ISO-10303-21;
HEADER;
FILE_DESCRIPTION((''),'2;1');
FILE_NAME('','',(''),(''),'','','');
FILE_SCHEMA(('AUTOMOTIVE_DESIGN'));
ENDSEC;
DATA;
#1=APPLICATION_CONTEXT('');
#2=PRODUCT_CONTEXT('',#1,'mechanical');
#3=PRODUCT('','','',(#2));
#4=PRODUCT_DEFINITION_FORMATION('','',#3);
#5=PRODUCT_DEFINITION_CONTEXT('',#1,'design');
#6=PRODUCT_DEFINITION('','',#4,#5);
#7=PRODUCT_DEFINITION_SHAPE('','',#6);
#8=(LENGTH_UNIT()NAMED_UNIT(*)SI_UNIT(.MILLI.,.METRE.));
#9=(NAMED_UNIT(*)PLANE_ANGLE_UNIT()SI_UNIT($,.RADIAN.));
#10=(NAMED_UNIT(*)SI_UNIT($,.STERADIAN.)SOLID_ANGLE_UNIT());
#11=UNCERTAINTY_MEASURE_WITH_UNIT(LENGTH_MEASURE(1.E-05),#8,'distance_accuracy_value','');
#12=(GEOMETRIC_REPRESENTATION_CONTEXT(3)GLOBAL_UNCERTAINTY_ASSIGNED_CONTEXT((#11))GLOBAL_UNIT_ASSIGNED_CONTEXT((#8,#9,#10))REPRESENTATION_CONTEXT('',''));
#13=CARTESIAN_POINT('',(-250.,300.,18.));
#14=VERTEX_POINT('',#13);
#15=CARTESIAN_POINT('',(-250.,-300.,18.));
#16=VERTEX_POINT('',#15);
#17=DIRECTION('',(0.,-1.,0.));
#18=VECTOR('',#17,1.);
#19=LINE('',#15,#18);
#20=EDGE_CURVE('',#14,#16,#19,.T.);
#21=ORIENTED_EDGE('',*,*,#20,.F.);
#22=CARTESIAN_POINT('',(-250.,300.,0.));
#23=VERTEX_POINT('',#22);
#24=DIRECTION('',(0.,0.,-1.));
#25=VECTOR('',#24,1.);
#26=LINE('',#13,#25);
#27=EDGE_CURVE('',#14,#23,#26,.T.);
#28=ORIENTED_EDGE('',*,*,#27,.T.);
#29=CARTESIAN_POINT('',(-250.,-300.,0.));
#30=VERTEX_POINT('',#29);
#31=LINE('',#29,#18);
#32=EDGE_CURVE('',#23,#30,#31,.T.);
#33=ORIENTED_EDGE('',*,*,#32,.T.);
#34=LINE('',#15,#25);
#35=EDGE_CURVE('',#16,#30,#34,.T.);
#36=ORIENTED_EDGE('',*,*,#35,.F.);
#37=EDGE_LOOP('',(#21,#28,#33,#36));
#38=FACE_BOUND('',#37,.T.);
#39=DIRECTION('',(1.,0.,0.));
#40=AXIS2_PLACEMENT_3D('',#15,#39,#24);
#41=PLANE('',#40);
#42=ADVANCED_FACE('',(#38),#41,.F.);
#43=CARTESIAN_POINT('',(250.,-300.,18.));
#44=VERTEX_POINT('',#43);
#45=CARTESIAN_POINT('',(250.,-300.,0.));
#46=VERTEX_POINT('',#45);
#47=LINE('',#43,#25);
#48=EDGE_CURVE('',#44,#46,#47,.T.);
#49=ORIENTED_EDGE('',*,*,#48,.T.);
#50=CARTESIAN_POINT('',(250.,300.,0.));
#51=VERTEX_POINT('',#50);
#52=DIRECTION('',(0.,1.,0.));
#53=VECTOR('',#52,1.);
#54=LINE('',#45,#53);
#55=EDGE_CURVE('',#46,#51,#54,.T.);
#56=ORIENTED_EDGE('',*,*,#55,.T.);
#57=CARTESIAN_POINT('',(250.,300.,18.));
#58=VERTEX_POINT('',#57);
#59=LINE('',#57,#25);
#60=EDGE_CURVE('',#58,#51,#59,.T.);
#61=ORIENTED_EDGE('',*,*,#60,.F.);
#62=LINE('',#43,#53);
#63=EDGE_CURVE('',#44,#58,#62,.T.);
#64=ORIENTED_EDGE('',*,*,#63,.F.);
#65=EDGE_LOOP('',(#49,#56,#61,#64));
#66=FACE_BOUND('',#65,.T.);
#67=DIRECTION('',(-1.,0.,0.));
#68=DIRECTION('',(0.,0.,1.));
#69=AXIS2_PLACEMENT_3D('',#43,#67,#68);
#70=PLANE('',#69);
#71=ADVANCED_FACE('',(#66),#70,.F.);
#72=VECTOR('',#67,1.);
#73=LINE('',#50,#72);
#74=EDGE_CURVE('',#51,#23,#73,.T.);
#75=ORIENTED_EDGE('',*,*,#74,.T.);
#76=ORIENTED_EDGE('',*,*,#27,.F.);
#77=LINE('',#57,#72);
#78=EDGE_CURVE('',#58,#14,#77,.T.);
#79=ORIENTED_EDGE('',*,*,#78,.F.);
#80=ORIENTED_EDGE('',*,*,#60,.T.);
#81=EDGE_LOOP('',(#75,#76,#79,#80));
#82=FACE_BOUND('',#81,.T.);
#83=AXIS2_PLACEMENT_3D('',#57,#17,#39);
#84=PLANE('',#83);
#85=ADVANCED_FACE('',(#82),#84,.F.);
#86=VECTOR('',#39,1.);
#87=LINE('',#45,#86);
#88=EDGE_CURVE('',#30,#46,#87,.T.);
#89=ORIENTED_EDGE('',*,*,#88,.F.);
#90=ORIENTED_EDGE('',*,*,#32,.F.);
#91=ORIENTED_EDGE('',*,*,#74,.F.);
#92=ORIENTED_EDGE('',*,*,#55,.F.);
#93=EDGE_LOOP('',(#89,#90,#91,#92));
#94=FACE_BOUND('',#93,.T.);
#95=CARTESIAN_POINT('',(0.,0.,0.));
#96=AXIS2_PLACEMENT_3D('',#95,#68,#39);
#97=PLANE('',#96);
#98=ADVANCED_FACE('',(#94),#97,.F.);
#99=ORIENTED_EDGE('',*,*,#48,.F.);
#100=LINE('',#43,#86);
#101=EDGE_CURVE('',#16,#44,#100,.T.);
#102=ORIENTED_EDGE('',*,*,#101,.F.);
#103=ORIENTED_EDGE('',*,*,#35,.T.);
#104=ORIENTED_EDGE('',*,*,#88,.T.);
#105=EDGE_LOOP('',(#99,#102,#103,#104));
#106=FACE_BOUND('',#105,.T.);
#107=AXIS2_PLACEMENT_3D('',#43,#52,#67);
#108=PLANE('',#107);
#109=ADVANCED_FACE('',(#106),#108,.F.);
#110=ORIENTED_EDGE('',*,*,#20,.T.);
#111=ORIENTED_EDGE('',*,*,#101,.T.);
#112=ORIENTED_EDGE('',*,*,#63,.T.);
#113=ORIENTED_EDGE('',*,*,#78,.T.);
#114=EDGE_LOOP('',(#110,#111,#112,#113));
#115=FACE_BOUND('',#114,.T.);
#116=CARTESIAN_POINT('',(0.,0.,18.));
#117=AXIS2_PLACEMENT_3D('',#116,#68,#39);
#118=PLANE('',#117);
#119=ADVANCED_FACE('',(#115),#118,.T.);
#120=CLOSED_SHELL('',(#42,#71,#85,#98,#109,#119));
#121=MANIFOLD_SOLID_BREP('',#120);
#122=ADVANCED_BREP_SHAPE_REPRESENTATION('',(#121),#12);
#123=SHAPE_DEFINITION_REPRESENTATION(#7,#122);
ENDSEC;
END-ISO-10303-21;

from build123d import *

# Parameters (mm, degrees)
SKETCH1_W           = 500
SKETCH1_H           = 600
BOSS_EXTRUDE1_DEPTH = 18


with BuildPart() as part:
    # Sketch1 → Boss-Extrude1 (new body)
    with BuildSketch(Plane.XY):
        Rectangle(SKETCH1_W, SKETCH1_H)
    extrude(amount=BOSS_EXTRUDE1_DEPTH)


solid = part.part
